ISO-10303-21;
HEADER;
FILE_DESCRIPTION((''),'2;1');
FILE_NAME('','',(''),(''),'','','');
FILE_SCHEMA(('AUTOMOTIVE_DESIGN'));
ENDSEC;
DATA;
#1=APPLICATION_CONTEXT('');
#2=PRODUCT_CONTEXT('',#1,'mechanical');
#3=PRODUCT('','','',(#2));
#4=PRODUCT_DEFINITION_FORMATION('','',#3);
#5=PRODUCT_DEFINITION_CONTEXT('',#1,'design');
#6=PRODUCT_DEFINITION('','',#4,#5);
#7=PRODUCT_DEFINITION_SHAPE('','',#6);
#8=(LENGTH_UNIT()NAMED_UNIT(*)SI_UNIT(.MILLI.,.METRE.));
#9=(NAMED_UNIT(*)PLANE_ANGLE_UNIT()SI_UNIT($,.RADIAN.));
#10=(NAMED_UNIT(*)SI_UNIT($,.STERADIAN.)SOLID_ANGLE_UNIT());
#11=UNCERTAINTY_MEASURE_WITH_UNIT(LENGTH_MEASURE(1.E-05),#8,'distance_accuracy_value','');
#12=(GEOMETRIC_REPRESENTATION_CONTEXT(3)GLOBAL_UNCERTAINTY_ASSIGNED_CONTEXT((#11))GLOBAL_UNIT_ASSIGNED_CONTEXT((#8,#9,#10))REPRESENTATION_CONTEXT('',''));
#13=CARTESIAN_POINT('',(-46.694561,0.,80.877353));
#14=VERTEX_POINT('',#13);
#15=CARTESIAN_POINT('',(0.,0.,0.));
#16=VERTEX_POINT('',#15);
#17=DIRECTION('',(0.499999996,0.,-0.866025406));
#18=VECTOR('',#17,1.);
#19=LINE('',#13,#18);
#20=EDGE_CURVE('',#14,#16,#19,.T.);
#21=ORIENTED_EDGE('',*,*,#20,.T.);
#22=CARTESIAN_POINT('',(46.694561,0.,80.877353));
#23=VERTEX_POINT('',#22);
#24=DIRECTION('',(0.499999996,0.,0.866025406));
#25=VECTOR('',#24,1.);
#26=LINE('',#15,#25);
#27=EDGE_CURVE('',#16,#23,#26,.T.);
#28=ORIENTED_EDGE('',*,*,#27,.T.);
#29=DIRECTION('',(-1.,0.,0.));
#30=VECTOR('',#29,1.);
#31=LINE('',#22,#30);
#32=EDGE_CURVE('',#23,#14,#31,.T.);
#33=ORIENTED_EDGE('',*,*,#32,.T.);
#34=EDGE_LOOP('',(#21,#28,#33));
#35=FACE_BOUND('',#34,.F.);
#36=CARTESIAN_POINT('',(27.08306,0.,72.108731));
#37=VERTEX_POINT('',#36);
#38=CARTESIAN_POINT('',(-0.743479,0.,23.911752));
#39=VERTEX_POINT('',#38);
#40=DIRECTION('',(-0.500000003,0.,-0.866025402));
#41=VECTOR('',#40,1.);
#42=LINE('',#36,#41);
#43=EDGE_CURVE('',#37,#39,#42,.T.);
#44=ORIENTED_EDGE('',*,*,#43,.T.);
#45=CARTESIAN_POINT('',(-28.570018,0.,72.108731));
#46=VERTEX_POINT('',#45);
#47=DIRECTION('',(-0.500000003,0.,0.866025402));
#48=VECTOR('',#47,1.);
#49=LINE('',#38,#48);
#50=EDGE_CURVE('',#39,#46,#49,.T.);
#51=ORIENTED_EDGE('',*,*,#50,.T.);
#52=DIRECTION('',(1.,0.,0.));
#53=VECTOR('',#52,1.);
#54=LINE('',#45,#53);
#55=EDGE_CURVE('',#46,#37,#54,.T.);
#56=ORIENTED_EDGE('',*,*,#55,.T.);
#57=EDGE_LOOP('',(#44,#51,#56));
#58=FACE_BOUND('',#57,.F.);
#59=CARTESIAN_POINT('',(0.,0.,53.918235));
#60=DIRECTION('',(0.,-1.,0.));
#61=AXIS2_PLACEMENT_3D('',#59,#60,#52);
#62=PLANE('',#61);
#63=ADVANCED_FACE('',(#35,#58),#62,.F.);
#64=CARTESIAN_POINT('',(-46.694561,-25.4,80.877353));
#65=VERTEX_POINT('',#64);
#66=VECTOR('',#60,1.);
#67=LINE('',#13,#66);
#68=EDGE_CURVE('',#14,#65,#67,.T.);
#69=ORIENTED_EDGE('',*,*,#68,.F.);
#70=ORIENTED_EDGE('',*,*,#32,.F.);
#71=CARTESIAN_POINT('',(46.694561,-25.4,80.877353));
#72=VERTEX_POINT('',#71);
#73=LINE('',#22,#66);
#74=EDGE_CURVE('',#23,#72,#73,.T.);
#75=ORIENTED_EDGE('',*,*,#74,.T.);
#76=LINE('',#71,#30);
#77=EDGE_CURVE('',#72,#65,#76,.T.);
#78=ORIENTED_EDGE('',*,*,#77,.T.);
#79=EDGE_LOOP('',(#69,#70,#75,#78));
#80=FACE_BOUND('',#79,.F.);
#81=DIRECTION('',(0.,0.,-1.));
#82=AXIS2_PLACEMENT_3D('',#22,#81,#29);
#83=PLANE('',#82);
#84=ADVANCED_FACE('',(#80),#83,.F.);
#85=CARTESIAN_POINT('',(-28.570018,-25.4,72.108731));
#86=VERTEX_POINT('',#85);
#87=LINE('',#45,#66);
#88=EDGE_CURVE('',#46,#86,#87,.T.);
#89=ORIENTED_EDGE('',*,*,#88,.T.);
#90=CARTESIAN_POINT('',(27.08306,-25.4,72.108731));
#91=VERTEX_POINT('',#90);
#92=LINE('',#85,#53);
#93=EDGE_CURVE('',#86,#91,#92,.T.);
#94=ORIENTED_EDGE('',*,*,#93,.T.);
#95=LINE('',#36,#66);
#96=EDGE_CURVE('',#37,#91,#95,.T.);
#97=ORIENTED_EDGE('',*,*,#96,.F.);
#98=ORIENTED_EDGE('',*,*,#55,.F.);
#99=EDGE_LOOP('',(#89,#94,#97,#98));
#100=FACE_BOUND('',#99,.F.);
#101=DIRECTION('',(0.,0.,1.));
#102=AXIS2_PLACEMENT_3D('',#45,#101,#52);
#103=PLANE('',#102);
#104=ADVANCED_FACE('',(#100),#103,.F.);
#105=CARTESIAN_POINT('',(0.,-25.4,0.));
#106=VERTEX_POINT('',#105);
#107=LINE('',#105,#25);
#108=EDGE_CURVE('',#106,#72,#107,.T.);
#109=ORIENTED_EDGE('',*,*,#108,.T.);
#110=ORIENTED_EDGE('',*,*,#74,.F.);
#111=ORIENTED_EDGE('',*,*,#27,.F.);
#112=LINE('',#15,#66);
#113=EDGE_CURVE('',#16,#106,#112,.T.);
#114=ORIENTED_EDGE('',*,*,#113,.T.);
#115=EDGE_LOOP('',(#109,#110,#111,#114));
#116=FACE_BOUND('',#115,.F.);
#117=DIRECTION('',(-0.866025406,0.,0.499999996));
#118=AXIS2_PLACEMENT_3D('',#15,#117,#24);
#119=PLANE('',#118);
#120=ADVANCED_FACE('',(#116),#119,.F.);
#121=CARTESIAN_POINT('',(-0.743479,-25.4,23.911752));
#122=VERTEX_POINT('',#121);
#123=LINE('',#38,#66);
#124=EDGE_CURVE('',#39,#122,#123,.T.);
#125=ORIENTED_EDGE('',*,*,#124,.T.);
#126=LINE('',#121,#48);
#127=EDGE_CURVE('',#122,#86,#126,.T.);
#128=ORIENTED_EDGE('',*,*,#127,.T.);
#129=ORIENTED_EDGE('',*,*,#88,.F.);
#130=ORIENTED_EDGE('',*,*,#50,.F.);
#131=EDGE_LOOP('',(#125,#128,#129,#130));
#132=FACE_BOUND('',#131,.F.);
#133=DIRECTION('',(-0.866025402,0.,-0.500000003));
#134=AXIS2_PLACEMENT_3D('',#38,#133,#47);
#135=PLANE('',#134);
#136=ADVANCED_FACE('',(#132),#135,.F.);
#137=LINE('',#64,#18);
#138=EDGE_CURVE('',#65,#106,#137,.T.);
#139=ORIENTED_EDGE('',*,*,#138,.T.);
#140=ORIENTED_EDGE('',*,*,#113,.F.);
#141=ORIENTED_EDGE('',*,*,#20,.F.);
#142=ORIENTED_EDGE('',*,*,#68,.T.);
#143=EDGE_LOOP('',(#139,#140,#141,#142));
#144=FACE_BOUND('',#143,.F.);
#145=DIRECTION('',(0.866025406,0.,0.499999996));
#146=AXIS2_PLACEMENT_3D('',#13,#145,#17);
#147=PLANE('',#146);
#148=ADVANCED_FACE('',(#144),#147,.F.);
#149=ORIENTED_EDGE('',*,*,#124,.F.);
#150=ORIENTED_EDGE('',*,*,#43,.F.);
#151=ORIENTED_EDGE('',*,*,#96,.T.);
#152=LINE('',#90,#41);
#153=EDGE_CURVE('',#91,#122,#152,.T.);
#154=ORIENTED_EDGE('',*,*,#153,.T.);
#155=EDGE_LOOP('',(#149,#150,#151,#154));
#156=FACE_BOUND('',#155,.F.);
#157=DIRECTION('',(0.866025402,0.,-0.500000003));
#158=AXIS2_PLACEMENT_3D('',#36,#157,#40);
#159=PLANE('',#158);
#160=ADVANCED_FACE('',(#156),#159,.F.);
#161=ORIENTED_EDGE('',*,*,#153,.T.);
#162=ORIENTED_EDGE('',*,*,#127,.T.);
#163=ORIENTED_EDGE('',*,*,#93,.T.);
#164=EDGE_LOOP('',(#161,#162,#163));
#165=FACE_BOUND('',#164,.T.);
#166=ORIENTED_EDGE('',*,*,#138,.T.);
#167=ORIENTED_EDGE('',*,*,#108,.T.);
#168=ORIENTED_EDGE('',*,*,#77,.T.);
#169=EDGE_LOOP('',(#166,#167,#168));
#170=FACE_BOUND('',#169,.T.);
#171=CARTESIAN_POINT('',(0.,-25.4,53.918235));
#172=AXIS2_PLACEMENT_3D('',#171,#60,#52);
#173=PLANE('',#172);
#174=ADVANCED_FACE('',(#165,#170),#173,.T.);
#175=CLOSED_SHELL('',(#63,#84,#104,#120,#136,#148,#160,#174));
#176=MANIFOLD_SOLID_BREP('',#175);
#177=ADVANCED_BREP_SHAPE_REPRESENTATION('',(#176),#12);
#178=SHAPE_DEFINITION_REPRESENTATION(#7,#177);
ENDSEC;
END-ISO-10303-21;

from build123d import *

# Parameters (mm, degrees)
F1_DEPTH = 25.4


with BuildPart() as f1:
    # F0 (on Front) → F1 (new body)
    with BuildSketch(Plane.XZ):
        Polygon((-46.694561, 80.877353), (0, 0), (46.694561, 80.877353), align=None)
        Polygon((-0.743479, 23.911752), (-28.570018, 72.108731), (27.08306, 72.108731), align=None, mode=Mode.SUBTRACT)
    extrude(amount=F1_DEPTH)


solid = f1.part
